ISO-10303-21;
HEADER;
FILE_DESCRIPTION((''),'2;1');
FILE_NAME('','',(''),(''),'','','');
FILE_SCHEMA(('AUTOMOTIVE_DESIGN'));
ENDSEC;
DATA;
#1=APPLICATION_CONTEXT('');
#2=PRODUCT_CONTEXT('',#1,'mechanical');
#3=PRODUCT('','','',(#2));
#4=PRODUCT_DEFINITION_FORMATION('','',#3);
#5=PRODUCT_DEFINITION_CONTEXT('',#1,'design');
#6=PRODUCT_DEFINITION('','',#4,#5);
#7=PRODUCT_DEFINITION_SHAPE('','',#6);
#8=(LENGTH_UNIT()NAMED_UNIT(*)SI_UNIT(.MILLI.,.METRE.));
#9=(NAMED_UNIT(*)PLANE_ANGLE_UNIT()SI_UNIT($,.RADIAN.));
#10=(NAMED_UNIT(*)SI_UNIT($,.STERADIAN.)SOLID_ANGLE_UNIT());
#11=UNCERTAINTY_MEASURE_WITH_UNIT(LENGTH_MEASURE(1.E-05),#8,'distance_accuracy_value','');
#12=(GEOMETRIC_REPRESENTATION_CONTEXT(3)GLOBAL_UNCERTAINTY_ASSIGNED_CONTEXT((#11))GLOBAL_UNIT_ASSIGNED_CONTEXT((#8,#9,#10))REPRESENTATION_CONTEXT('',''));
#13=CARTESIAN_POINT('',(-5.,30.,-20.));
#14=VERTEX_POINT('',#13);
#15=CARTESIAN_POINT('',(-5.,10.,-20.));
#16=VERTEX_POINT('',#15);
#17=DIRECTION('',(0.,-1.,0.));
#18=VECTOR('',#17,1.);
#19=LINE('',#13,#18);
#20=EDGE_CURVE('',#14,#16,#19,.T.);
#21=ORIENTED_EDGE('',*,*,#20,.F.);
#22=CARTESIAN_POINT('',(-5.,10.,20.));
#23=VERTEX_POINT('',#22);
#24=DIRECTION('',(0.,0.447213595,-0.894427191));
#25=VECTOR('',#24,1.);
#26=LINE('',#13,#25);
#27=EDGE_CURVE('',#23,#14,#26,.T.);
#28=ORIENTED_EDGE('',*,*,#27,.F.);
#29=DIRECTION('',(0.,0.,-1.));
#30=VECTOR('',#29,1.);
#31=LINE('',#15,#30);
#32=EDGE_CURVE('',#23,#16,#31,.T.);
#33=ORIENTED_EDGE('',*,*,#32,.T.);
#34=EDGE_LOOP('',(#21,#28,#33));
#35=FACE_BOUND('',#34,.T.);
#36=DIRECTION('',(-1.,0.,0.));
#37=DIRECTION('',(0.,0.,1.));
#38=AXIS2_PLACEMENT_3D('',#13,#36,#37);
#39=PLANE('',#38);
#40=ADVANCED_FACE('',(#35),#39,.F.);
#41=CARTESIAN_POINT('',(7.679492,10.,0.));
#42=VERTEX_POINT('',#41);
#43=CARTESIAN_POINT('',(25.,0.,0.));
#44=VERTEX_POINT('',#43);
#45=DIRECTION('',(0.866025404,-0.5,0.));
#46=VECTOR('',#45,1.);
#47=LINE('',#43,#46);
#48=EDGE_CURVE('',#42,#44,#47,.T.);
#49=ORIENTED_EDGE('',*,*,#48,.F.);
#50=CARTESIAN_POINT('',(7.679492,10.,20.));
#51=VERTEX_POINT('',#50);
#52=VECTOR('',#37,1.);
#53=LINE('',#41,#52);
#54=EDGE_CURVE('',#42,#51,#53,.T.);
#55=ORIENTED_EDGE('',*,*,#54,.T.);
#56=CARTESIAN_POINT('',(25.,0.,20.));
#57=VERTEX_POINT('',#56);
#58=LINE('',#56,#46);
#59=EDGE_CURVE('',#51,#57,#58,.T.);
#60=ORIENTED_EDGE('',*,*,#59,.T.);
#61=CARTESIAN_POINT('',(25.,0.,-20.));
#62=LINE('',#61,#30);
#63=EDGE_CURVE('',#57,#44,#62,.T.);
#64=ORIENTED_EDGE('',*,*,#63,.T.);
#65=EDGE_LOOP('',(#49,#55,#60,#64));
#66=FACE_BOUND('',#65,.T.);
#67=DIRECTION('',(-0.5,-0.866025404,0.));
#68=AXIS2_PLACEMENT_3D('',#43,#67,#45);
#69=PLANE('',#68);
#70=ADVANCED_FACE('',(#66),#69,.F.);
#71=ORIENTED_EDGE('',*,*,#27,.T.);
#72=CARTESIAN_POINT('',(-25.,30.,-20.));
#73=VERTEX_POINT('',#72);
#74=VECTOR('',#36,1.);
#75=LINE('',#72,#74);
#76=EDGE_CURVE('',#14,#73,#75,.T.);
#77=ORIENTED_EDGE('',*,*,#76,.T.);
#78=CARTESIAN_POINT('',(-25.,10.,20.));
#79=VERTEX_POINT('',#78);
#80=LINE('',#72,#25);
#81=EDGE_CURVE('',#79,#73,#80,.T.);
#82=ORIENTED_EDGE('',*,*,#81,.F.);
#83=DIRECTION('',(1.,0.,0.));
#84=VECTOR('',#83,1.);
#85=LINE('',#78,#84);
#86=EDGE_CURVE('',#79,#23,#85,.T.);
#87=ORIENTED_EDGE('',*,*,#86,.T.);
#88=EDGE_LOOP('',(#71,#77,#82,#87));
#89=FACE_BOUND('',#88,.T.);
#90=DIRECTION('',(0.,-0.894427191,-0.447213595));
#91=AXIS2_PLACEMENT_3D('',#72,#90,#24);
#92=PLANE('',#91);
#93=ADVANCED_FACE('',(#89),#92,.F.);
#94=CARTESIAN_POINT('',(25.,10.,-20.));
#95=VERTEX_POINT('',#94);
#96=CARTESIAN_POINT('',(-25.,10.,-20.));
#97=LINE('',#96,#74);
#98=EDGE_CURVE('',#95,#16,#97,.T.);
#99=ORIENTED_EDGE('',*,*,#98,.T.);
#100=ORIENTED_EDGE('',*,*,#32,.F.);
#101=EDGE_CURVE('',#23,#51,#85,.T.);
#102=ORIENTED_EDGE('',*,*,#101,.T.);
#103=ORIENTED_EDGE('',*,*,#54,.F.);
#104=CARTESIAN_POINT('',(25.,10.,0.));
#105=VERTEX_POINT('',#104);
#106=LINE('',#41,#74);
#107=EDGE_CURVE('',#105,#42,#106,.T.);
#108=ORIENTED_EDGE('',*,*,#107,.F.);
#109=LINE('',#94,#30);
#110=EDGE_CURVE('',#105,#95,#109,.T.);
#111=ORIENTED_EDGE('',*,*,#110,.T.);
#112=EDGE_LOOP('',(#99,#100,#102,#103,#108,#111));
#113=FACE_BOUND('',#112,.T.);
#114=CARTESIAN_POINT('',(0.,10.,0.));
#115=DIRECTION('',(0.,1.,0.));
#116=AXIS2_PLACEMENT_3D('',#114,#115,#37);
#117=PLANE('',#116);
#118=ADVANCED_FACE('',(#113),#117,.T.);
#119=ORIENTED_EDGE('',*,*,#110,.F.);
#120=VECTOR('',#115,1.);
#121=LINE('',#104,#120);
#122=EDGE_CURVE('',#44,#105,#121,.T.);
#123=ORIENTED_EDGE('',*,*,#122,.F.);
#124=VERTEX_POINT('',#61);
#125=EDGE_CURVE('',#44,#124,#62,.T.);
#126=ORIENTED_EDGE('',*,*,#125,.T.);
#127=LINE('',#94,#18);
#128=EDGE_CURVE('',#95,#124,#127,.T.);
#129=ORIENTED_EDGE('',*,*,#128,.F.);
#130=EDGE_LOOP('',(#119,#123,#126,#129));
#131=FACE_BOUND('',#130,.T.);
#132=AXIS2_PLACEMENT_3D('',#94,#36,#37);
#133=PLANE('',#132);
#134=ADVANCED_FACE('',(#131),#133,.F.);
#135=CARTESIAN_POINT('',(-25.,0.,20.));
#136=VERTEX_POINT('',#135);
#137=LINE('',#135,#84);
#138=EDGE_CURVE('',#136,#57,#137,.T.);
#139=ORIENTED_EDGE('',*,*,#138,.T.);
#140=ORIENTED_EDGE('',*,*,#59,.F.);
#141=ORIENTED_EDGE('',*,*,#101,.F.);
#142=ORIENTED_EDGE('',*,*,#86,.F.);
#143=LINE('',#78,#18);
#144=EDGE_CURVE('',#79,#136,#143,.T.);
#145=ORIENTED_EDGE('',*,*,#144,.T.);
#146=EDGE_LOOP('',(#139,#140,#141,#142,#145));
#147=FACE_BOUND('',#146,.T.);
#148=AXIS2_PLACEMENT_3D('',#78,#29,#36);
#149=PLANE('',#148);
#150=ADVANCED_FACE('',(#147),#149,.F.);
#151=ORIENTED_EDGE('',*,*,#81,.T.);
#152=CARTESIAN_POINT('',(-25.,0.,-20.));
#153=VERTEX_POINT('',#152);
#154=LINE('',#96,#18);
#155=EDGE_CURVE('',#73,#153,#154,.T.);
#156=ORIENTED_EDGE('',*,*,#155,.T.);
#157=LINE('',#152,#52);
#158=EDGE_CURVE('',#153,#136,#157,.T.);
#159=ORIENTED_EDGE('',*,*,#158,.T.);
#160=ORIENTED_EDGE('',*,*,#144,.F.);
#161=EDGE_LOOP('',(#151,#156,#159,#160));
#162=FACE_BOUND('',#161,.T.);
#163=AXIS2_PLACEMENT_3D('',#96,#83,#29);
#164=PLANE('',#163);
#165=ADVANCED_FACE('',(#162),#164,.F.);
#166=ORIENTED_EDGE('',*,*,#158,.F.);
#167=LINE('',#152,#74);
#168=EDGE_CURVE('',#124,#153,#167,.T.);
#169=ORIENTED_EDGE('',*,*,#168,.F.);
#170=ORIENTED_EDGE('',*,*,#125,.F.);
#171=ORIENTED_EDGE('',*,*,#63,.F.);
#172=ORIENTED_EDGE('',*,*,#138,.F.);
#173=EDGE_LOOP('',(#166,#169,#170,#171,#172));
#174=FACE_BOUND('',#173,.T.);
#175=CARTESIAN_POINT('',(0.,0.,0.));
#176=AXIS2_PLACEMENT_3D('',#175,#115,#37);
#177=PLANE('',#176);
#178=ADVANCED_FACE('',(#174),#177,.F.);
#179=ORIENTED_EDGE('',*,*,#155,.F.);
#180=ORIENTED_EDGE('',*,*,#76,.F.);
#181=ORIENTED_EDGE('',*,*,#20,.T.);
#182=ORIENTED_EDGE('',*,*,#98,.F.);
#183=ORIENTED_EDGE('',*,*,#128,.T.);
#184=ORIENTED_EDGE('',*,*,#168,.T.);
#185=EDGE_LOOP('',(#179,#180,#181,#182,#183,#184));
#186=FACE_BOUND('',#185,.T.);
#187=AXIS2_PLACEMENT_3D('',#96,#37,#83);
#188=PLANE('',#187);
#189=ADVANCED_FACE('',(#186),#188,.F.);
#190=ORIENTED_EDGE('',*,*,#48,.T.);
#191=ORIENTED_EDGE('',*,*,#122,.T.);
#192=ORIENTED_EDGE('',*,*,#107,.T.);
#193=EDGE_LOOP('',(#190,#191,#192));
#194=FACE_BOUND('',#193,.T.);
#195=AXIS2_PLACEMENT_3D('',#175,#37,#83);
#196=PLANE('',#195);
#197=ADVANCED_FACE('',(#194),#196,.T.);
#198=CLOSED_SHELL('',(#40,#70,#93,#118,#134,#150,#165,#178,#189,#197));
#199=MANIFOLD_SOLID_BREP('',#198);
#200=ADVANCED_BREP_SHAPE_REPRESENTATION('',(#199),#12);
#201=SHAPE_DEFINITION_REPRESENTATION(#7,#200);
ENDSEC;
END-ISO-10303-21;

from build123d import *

# Parameters (mm, degrees)
SKETCH1_W           = 50
SKETCH1_H           = 40
BOSS_EXTRUDE1_DEPTH = 10
CUT_EXTRUDE1_DEPTH  = 20
SKETCH3_W           = 20
SKETCH3_H           = 40
BOSS_EXTRUDE2_DEPTH = 20
CUT_EXTRUDE2_DEPTH  = 20


with BuildPart() as part:
    # Sketch1 → Boss-Extrude1 (new body)
    with BuildSketch(Plane(origin=(0, 0, 0), x_dir=(1, 0, 0), z_dir=(0, 1, 0))):
        Rectangle(SKETCH1_W, SKETCH1_H)
    extrude(amount=BOSS_EXTRUDE1_DEPTH)

    # Sketch2 → Cut-Extrude1 (cut)
    with BuildSketch(Plane.XY.offset(20)):
        Polygon((25, 0), (7.679491924, 10), (25, 10), align=None)
    extrude(amount=-CUT_EXTRUDE1_DEPTH, mode=Mode.SUBTRACT)

    # Sketch3 → Boss-Extrude2 (add)
    with BuildSketch(Plane(origin=(0, 10, 0), x_dir=(1, 0, 0), z_dir=(0, 1, 0))):
        with Locations((-15, 0)):
            Rectangle(SKETCH3_W, SKETCH3_H)
    extrude(amount=BOSS_EXTRUDE2_DEPTH)

    # Sketch4 → Cut-Extrude2 (cut)
    with BuildSketch(Plane(origin=(-5, 0, 0), x_dir=(0, 0, -1), z_dir=(1, 0, 0))):
        Polygon((20, 30), (-20, 10), (-20, 30), align=None)
    extrude(amount=-CUT_EXTRUDE2_DEPTH, mode=Mode.SUBTRACT)


solid = part.part
